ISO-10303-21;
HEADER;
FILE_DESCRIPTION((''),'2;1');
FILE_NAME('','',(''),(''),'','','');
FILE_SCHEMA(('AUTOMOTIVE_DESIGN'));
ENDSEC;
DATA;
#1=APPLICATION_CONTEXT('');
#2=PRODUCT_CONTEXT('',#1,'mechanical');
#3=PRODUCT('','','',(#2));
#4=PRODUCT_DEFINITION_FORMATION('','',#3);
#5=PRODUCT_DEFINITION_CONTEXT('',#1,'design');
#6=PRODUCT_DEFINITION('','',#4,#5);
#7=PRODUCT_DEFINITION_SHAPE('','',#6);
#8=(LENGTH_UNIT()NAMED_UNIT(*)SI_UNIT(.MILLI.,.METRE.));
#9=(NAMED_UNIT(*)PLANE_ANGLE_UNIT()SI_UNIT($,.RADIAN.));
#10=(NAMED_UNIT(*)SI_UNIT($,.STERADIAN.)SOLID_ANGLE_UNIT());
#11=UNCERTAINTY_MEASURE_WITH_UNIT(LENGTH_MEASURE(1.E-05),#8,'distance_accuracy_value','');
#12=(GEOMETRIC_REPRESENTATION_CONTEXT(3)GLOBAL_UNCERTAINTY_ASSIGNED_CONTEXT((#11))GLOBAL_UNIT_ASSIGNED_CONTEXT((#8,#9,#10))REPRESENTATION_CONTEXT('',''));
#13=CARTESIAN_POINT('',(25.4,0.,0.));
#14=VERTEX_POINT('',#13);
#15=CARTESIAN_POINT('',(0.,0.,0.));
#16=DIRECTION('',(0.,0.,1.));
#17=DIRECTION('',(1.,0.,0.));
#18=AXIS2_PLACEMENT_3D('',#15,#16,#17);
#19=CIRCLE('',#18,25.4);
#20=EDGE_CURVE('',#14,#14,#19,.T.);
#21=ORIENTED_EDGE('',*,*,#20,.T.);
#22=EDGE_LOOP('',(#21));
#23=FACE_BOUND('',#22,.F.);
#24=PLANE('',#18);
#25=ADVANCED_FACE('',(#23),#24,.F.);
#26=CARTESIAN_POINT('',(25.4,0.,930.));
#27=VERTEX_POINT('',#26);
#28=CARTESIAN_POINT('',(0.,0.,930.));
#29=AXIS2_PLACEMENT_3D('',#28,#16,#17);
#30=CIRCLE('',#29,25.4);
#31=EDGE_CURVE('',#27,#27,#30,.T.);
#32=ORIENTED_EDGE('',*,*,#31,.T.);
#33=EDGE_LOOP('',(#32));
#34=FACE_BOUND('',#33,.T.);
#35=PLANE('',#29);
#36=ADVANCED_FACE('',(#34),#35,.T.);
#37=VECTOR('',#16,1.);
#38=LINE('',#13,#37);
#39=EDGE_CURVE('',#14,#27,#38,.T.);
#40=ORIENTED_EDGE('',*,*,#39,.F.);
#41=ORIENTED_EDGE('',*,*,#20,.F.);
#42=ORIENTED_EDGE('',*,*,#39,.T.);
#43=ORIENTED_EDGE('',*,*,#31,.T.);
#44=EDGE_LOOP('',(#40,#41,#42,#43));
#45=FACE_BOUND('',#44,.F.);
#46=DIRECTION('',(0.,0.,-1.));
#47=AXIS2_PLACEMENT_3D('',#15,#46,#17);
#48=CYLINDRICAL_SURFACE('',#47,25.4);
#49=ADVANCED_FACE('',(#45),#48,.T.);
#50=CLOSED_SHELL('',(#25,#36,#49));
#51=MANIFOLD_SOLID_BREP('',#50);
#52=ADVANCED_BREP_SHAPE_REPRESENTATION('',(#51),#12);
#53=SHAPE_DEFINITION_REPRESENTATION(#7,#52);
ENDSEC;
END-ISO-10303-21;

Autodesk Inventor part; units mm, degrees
ref_plane "YZ Plane" through (0, 0, 0) normal (1, 0, 0) x (0, 1, 0)
ref_plane "XZ Plane" through (0, 0, 0) normal (0, 1, 0) x (-1, 0, 0)
ref_plane "XY Plane" through (0, 0, 0) normal (0, 0, 1) x (1, 0, 0)
sketch "Boceto1" plane through (0, 0, 0) normal (0, 0, 1) x (1, 0, 0)
  circle A0 centre (0, 0) radius 25.4
  dimension "d0" = 50.8
extrude "Extrusión1" add sketch "Boceto1" along normal blind 930
properties part number "tubo_2pul_1"
